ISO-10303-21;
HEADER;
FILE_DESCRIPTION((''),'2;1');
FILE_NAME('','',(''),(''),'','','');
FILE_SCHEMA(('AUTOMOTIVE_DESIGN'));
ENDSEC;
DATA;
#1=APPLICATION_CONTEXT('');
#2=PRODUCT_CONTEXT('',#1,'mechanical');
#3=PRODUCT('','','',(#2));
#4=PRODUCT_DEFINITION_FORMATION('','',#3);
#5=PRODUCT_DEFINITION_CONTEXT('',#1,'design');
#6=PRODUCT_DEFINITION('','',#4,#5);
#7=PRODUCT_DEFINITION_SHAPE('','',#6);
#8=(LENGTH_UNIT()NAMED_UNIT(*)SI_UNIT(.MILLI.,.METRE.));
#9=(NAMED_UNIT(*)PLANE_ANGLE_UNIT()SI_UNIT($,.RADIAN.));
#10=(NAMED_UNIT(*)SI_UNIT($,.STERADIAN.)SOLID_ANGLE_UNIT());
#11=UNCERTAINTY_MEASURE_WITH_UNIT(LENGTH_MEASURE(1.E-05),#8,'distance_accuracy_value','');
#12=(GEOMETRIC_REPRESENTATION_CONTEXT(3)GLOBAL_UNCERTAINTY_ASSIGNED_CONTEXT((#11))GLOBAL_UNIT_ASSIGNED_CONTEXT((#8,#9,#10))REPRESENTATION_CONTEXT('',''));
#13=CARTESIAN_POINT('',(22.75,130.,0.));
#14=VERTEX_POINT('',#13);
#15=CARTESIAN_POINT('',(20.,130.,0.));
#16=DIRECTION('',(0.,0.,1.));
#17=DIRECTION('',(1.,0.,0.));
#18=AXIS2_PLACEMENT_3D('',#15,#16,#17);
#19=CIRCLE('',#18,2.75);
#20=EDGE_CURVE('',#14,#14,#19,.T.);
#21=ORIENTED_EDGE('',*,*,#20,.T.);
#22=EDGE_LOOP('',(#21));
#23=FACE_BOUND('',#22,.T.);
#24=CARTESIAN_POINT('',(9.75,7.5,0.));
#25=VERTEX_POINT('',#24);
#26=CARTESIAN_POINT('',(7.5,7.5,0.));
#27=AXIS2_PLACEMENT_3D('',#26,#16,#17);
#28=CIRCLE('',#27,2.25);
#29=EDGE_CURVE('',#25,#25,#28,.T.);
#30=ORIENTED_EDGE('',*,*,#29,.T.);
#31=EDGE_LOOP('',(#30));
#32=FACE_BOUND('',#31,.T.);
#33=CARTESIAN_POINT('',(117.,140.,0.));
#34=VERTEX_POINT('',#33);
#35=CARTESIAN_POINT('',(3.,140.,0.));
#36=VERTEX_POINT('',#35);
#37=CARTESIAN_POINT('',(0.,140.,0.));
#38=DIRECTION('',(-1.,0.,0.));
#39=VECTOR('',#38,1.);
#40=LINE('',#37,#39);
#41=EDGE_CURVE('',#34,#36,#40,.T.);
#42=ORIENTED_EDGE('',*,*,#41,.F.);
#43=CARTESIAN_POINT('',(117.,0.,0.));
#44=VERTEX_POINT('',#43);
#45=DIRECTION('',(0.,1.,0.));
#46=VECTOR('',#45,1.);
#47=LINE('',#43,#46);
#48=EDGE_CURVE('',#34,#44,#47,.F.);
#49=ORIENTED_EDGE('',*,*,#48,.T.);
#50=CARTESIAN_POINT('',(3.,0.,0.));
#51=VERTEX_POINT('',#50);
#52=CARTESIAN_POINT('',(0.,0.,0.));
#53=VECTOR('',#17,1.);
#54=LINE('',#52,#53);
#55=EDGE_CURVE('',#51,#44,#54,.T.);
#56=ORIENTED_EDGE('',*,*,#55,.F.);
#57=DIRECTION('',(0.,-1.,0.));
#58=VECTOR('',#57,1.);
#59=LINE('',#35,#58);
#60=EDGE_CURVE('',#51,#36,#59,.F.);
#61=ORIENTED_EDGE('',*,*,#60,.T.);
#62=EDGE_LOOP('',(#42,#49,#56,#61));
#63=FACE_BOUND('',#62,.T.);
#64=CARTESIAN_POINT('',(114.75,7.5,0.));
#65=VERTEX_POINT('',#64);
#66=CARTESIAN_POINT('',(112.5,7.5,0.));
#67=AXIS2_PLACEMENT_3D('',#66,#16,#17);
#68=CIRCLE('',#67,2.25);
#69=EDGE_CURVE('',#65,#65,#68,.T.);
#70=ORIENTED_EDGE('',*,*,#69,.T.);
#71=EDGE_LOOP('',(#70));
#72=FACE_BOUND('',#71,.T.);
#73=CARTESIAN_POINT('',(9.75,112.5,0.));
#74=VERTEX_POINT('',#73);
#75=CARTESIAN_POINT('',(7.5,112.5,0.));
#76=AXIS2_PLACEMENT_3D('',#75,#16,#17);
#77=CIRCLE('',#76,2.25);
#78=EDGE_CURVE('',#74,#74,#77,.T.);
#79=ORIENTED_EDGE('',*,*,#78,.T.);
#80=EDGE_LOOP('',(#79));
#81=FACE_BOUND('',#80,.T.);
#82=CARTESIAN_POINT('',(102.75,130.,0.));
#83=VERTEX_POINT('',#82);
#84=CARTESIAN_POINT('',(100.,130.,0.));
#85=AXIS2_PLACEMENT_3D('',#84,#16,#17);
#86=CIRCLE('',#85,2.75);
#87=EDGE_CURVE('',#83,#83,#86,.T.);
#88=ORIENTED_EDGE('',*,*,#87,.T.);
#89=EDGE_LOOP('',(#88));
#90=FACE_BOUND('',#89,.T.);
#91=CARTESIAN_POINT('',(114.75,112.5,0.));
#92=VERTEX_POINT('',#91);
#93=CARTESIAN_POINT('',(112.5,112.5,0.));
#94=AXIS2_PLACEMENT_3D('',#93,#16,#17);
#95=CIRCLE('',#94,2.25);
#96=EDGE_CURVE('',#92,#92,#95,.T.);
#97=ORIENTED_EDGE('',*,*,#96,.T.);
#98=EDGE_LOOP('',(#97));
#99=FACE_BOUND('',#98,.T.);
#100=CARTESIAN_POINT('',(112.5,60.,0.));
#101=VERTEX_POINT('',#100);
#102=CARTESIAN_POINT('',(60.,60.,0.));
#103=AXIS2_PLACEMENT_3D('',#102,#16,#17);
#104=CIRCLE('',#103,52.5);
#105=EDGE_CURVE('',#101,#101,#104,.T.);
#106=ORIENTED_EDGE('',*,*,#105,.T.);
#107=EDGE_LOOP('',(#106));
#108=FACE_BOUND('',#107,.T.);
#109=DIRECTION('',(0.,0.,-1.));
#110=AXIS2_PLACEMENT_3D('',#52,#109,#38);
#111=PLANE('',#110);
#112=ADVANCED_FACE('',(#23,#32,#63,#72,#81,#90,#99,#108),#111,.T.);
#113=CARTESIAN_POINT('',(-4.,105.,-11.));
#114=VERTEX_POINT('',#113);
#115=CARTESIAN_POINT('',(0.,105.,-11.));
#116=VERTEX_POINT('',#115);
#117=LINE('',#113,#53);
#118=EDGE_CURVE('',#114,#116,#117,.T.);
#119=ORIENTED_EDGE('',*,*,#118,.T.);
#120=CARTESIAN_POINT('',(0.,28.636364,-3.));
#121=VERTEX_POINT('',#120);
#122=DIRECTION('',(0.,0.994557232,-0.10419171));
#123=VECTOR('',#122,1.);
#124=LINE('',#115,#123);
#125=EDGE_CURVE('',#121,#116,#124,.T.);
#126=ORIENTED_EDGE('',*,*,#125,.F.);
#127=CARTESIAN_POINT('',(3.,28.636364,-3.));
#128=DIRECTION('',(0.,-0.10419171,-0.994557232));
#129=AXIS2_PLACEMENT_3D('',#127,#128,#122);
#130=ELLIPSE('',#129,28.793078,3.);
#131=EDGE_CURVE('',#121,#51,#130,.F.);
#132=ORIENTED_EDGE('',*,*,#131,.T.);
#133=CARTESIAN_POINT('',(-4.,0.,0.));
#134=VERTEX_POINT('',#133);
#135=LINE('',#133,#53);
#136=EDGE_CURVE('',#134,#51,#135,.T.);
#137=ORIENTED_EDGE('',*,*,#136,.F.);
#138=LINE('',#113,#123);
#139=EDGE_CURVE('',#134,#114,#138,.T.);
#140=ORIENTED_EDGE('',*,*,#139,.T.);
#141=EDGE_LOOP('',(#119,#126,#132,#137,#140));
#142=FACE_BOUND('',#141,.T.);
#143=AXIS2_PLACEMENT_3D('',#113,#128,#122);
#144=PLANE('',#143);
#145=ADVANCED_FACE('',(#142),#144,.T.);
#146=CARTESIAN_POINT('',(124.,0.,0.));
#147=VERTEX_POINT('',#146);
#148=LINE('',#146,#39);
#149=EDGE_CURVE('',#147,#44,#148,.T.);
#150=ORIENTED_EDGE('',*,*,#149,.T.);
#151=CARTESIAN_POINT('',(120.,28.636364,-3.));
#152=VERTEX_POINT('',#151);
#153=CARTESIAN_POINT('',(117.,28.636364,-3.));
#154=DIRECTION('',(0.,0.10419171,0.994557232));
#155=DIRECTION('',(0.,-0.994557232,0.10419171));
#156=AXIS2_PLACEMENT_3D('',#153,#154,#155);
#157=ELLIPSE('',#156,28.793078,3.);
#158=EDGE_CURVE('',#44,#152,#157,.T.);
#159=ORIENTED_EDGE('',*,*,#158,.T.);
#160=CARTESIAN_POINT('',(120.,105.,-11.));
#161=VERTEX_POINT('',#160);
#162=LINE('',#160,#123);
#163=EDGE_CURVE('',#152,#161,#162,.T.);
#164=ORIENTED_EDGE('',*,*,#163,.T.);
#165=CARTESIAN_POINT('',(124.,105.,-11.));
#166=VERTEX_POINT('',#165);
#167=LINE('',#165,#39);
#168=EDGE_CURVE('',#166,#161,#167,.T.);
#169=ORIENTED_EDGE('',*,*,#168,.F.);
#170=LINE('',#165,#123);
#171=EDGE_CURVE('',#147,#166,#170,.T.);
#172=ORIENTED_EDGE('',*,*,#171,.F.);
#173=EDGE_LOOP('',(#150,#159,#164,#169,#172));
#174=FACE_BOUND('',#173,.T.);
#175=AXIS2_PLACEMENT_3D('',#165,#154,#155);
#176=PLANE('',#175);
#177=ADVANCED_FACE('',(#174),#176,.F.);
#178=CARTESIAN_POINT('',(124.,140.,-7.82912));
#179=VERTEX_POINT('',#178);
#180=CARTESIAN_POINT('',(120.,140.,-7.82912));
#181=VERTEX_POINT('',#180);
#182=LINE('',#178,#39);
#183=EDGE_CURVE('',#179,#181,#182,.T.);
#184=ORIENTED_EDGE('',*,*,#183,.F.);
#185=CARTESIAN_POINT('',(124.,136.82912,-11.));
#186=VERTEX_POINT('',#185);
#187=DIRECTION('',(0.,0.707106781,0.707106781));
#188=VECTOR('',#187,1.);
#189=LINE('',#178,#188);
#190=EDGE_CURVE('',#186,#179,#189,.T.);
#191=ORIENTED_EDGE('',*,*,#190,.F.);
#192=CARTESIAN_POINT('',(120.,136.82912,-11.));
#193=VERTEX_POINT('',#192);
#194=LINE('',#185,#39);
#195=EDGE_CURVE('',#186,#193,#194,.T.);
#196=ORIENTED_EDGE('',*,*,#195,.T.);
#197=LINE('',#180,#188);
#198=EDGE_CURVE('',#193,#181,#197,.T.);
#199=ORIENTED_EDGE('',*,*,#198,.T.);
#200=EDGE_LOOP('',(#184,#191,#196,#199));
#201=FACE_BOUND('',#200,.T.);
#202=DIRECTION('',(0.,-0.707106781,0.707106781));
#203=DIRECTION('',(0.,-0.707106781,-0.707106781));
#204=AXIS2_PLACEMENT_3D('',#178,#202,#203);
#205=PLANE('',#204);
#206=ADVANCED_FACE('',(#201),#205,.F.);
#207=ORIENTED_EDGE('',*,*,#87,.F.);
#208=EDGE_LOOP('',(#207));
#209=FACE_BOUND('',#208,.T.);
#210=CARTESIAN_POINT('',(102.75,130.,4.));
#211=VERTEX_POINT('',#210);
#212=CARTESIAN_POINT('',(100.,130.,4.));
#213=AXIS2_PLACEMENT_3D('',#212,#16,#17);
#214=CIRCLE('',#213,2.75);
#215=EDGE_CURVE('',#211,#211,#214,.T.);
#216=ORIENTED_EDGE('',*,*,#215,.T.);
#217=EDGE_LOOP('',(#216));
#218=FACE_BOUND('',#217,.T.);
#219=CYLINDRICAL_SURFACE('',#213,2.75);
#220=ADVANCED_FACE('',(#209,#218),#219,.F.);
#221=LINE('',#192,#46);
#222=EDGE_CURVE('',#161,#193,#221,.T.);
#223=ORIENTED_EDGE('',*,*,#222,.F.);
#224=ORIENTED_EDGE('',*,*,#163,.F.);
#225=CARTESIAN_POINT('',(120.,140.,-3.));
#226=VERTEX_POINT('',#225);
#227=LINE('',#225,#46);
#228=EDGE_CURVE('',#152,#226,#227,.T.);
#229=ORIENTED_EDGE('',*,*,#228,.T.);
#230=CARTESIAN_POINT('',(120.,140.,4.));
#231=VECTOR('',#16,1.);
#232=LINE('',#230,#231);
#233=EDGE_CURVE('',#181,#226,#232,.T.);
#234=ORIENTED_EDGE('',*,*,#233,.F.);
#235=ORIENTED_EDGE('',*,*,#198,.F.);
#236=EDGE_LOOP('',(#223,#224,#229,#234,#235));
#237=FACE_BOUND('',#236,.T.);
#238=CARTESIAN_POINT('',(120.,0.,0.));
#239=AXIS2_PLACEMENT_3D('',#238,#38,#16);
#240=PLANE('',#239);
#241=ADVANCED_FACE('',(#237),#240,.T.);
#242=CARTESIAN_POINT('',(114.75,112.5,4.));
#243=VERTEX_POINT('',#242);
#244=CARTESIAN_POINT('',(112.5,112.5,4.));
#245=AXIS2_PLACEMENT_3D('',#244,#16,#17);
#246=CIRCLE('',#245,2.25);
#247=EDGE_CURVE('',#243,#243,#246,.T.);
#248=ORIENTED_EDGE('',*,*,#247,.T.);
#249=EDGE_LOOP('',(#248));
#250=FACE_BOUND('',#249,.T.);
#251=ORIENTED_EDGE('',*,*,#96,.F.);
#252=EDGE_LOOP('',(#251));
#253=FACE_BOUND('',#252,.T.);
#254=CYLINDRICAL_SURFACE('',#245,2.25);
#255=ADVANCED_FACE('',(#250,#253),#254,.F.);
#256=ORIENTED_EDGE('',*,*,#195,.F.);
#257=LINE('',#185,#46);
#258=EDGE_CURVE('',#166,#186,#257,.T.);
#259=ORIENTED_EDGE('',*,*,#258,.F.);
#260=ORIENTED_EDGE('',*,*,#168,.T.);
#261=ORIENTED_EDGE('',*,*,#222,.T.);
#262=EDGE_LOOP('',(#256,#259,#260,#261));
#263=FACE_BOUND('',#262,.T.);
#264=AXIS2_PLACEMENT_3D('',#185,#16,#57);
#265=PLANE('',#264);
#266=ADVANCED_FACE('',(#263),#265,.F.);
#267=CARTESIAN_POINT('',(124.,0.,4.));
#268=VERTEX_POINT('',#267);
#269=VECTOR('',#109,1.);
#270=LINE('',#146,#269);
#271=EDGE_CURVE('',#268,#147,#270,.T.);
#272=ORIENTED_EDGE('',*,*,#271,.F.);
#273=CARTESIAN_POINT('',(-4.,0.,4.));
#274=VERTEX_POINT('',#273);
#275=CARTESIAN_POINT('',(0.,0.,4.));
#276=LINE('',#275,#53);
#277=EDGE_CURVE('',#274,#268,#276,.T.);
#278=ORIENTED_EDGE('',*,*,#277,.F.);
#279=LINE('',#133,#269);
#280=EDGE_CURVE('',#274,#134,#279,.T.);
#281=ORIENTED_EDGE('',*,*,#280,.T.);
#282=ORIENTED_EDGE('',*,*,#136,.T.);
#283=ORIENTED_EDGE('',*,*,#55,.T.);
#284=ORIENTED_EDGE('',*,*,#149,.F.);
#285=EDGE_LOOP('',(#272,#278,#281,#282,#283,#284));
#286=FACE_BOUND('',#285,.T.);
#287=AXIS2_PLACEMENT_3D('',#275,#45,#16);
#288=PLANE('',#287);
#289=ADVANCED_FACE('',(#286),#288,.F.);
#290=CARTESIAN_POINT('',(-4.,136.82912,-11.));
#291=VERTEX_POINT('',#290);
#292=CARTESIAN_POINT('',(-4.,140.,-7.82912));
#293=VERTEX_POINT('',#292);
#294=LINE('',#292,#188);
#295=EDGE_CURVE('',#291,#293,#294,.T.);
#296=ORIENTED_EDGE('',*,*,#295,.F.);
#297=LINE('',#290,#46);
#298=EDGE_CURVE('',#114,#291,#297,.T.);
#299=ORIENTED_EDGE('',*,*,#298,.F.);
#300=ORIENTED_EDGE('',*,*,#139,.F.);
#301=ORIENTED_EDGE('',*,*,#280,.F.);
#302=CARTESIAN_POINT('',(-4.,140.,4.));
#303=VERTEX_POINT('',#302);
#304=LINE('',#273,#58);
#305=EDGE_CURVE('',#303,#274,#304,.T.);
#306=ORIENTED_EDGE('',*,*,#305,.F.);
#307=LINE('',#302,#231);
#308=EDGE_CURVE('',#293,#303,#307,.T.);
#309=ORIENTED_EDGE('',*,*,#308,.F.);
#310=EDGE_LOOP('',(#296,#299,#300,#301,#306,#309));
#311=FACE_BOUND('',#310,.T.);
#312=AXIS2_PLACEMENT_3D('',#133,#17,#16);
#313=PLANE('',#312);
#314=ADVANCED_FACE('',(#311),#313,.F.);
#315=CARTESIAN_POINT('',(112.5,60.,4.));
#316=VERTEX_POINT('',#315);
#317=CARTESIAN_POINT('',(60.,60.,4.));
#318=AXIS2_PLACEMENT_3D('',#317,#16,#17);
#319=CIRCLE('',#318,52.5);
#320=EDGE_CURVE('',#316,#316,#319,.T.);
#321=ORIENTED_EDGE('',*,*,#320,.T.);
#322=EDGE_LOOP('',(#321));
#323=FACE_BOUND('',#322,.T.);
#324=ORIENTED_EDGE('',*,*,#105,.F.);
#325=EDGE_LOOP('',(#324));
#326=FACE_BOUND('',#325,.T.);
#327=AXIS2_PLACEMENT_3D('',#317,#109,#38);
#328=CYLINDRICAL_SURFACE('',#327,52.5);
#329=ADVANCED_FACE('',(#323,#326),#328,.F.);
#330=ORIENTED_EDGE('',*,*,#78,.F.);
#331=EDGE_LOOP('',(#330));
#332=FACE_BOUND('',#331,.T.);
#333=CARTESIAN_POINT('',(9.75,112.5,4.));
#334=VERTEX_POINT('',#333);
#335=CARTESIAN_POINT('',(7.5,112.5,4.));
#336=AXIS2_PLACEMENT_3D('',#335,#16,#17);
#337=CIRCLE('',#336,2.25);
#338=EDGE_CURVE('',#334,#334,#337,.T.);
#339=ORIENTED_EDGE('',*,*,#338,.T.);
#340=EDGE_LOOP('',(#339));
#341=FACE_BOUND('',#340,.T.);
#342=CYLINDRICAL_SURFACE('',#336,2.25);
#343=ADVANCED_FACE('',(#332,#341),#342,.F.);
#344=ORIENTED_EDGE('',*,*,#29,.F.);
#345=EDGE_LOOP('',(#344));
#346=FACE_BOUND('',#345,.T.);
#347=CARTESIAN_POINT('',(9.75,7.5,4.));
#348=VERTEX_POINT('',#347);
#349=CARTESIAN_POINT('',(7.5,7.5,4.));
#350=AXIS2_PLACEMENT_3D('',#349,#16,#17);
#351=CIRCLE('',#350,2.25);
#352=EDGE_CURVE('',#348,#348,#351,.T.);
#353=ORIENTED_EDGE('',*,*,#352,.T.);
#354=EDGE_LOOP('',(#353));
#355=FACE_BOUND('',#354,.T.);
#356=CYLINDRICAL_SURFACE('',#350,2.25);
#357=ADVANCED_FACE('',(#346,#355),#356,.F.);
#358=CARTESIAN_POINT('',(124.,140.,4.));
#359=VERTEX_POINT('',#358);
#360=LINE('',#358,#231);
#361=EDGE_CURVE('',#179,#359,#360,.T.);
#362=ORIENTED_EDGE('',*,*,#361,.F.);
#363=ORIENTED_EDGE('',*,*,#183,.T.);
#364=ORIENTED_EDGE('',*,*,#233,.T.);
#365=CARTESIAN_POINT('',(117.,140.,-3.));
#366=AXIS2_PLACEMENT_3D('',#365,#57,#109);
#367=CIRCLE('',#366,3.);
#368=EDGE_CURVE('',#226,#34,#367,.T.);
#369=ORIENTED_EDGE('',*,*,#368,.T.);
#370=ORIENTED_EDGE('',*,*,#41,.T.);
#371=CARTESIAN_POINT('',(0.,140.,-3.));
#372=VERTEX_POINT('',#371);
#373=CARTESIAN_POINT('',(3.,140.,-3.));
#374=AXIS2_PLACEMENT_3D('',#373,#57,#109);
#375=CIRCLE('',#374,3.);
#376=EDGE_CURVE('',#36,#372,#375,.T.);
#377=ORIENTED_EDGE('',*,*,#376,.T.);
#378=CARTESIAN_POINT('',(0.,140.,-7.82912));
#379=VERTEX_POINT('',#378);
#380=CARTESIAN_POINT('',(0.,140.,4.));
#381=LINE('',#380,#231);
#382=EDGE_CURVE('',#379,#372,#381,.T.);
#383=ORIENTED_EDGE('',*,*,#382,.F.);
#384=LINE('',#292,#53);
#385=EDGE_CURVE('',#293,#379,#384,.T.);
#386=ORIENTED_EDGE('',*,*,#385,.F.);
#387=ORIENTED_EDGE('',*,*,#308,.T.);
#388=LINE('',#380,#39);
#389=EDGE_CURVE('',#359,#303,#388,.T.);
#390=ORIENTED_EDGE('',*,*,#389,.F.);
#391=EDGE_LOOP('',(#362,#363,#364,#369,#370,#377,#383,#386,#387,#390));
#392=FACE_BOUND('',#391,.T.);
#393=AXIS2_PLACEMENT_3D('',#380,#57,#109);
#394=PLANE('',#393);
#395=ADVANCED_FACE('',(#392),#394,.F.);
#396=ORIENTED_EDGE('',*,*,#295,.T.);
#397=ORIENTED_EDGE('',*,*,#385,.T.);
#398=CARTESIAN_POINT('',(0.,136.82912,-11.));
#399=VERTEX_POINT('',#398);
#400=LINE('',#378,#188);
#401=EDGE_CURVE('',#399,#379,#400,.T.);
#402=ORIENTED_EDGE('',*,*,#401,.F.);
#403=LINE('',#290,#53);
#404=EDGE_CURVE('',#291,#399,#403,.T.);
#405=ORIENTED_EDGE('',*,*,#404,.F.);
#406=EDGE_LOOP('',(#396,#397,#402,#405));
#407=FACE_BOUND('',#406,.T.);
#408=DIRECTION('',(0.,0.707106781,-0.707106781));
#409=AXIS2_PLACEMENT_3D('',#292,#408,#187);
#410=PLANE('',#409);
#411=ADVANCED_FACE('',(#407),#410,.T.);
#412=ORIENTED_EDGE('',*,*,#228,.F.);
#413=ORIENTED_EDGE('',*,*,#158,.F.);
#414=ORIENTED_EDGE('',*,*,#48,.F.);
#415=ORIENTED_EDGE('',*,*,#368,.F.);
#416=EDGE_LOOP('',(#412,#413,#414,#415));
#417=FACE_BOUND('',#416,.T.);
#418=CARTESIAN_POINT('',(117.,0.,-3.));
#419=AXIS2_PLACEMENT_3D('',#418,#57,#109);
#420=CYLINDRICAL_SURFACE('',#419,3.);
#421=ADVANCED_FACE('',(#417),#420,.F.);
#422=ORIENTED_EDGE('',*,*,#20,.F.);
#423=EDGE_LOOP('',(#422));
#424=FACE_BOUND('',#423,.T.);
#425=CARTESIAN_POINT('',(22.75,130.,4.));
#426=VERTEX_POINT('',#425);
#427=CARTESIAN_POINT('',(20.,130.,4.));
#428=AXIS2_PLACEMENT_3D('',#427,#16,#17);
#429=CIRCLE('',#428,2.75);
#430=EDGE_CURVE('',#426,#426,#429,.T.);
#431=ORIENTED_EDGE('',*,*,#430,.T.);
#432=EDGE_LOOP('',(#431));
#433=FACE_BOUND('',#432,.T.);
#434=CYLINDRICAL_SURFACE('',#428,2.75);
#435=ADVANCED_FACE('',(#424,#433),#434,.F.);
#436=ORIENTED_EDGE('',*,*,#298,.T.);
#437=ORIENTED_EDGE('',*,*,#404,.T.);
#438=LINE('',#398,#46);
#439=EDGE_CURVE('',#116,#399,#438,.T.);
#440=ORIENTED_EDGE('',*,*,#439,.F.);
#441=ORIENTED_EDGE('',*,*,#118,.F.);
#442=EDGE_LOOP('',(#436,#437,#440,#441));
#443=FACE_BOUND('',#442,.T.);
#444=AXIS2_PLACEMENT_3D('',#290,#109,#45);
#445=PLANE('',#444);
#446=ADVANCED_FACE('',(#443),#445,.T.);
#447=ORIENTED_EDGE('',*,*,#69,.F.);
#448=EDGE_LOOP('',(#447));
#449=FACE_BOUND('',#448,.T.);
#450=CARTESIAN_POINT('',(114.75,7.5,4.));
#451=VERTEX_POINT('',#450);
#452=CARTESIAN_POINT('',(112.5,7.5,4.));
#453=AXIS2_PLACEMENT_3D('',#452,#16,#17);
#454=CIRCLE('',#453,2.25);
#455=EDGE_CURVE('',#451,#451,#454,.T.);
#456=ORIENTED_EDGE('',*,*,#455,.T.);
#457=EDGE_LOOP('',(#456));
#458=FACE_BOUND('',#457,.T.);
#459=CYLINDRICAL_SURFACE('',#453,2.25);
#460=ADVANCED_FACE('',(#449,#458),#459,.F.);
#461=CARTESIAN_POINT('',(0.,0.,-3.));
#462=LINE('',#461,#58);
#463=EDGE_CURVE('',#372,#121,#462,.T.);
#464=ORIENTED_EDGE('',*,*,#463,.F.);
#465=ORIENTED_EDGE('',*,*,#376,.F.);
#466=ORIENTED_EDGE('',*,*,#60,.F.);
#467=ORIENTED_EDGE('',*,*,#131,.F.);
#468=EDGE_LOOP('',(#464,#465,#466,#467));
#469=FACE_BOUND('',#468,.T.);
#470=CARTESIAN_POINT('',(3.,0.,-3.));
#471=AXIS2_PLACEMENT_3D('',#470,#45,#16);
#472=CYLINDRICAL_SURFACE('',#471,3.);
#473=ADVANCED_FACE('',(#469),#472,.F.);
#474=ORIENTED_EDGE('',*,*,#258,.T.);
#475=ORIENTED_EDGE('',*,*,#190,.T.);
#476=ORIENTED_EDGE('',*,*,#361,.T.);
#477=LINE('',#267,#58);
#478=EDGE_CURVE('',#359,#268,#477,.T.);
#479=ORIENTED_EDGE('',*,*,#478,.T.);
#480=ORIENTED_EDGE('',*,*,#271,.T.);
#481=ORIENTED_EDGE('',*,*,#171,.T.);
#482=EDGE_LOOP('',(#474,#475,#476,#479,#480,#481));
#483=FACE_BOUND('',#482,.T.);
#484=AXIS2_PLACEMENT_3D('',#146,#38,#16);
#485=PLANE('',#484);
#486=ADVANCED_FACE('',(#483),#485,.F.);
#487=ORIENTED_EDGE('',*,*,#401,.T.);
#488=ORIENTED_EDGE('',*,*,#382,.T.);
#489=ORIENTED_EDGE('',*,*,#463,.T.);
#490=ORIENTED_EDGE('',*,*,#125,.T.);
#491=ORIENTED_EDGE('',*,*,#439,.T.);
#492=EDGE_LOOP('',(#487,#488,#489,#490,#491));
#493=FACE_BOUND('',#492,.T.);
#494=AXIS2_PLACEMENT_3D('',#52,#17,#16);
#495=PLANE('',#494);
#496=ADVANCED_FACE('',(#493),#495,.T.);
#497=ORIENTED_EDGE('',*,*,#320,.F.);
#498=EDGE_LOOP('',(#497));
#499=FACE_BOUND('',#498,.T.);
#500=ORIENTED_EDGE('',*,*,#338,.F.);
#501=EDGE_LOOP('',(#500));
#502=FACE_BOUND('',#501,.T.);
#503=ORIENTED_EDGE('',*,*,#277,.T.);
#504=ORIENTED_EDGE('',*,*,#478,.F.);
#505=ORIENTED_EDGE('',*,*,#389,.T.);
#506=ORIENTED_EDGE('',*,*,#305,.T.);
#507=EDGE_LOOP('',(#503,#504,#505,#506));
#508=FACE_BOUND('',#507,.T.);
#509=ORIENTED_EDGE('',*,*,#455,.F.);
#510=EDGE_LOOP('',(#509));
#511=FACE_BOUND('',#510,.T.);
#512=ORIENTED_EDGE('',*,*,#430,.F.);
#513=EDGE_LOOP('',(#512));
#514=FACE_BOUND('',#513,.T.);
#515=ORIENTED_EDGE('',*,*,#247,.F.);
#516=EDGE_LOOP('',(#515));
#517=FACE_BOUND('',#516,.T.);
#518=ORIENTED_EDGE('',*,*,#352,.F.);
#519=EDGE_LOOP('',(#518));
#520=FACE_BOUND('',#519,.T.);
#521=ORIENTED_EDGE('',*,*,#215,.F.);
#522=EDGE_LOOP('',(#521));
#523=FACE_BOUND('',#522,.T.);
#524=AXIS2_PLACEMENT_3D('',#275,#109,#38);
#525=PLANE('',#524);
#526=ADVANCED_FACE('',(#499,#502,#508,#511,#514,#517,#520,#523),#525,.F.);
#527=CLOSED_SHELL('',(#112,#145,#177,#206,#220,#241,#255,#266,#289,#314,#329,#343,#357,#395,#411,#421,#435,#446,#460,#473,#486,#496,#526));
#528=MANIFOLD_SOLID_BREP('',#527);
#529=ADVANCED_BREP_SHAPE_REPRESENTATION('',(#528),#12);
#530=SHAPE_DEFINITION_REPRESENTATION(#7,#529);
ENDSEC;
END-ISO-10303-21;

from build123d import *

# Parameters (mm, degrees)
SKETCH1_W            = 120
SKETCH1_H            = 140
SKETCH1_R            = 52.5
BOSS_EXTRUDE1_DEPTH  = 4
M4_CLEARANCE_HOLE1_D = 4.5
M5_CLEARANCE_HOLE1_D = 5.5
BOSS_EXTRUDE2_DEPTH  = 4
FILLET1_R            = 3


with BuildPart() as part:
    # Sketch1 → Boss-Extrude1 (new body)
    with BuildSketch(Plane.XY):
        with Locations((60, 70)):
            Rectangle(SKETCH1_W, SKETCH1_H)
        with Locations((60, 60)):
            Circle(SKETCH1_R, mode=Mode.SUBTRACT)
    extrude(amount=BOSS_EXTRUDE1_DEPTH)

    # M4 Clearance Hole1 (through all)
    with Locations(Plane.XY.offset(4)):
        with Locations((7.5, 7.5), (60, 60), (7.5, 112.5), (112.5, 112.5), (112.5, 7.5)):
            Hole(M4_CLEARANCE_HOLE1_D / 2)

    # M5 Clearance Hole1 (through all)
    with Locations(Plane.XY.offset(4)):
        with Locations((100, 130), (20, 130)):
            Hole(M5_CLEARANCE_HOLE1_D / 2)

    # Sketch6 → Boss-Extrude2 (add)
    with BuildSketch(Plane(origin=(120, 0, 0), x_dir=(0, 0, -1), z_dir=(1, 0, 0))):
        Polygon((-4, 140), (7.829119834, 140), (11, 136.829119834), (11, 105), (0, 0), (-4, 0), align=None)
    boss_extrude2 = extrude(amount=BOSS_EXTRUDE2_DEPTH)

    # Mirror1: Boss-Extrude2 across plane
    add(boss_extrude2.mirror(Plane.ZY.offset(-60)))

    # Fillet1
    fillet1_edges = [part.edges().sort_by_distance(p)[0] for p in [
        (120, 70, 0),
        (0, 70, 0),
    ]]
    fillet(fillet1_edges, radius=FILLET1_R)


solid = part.part
